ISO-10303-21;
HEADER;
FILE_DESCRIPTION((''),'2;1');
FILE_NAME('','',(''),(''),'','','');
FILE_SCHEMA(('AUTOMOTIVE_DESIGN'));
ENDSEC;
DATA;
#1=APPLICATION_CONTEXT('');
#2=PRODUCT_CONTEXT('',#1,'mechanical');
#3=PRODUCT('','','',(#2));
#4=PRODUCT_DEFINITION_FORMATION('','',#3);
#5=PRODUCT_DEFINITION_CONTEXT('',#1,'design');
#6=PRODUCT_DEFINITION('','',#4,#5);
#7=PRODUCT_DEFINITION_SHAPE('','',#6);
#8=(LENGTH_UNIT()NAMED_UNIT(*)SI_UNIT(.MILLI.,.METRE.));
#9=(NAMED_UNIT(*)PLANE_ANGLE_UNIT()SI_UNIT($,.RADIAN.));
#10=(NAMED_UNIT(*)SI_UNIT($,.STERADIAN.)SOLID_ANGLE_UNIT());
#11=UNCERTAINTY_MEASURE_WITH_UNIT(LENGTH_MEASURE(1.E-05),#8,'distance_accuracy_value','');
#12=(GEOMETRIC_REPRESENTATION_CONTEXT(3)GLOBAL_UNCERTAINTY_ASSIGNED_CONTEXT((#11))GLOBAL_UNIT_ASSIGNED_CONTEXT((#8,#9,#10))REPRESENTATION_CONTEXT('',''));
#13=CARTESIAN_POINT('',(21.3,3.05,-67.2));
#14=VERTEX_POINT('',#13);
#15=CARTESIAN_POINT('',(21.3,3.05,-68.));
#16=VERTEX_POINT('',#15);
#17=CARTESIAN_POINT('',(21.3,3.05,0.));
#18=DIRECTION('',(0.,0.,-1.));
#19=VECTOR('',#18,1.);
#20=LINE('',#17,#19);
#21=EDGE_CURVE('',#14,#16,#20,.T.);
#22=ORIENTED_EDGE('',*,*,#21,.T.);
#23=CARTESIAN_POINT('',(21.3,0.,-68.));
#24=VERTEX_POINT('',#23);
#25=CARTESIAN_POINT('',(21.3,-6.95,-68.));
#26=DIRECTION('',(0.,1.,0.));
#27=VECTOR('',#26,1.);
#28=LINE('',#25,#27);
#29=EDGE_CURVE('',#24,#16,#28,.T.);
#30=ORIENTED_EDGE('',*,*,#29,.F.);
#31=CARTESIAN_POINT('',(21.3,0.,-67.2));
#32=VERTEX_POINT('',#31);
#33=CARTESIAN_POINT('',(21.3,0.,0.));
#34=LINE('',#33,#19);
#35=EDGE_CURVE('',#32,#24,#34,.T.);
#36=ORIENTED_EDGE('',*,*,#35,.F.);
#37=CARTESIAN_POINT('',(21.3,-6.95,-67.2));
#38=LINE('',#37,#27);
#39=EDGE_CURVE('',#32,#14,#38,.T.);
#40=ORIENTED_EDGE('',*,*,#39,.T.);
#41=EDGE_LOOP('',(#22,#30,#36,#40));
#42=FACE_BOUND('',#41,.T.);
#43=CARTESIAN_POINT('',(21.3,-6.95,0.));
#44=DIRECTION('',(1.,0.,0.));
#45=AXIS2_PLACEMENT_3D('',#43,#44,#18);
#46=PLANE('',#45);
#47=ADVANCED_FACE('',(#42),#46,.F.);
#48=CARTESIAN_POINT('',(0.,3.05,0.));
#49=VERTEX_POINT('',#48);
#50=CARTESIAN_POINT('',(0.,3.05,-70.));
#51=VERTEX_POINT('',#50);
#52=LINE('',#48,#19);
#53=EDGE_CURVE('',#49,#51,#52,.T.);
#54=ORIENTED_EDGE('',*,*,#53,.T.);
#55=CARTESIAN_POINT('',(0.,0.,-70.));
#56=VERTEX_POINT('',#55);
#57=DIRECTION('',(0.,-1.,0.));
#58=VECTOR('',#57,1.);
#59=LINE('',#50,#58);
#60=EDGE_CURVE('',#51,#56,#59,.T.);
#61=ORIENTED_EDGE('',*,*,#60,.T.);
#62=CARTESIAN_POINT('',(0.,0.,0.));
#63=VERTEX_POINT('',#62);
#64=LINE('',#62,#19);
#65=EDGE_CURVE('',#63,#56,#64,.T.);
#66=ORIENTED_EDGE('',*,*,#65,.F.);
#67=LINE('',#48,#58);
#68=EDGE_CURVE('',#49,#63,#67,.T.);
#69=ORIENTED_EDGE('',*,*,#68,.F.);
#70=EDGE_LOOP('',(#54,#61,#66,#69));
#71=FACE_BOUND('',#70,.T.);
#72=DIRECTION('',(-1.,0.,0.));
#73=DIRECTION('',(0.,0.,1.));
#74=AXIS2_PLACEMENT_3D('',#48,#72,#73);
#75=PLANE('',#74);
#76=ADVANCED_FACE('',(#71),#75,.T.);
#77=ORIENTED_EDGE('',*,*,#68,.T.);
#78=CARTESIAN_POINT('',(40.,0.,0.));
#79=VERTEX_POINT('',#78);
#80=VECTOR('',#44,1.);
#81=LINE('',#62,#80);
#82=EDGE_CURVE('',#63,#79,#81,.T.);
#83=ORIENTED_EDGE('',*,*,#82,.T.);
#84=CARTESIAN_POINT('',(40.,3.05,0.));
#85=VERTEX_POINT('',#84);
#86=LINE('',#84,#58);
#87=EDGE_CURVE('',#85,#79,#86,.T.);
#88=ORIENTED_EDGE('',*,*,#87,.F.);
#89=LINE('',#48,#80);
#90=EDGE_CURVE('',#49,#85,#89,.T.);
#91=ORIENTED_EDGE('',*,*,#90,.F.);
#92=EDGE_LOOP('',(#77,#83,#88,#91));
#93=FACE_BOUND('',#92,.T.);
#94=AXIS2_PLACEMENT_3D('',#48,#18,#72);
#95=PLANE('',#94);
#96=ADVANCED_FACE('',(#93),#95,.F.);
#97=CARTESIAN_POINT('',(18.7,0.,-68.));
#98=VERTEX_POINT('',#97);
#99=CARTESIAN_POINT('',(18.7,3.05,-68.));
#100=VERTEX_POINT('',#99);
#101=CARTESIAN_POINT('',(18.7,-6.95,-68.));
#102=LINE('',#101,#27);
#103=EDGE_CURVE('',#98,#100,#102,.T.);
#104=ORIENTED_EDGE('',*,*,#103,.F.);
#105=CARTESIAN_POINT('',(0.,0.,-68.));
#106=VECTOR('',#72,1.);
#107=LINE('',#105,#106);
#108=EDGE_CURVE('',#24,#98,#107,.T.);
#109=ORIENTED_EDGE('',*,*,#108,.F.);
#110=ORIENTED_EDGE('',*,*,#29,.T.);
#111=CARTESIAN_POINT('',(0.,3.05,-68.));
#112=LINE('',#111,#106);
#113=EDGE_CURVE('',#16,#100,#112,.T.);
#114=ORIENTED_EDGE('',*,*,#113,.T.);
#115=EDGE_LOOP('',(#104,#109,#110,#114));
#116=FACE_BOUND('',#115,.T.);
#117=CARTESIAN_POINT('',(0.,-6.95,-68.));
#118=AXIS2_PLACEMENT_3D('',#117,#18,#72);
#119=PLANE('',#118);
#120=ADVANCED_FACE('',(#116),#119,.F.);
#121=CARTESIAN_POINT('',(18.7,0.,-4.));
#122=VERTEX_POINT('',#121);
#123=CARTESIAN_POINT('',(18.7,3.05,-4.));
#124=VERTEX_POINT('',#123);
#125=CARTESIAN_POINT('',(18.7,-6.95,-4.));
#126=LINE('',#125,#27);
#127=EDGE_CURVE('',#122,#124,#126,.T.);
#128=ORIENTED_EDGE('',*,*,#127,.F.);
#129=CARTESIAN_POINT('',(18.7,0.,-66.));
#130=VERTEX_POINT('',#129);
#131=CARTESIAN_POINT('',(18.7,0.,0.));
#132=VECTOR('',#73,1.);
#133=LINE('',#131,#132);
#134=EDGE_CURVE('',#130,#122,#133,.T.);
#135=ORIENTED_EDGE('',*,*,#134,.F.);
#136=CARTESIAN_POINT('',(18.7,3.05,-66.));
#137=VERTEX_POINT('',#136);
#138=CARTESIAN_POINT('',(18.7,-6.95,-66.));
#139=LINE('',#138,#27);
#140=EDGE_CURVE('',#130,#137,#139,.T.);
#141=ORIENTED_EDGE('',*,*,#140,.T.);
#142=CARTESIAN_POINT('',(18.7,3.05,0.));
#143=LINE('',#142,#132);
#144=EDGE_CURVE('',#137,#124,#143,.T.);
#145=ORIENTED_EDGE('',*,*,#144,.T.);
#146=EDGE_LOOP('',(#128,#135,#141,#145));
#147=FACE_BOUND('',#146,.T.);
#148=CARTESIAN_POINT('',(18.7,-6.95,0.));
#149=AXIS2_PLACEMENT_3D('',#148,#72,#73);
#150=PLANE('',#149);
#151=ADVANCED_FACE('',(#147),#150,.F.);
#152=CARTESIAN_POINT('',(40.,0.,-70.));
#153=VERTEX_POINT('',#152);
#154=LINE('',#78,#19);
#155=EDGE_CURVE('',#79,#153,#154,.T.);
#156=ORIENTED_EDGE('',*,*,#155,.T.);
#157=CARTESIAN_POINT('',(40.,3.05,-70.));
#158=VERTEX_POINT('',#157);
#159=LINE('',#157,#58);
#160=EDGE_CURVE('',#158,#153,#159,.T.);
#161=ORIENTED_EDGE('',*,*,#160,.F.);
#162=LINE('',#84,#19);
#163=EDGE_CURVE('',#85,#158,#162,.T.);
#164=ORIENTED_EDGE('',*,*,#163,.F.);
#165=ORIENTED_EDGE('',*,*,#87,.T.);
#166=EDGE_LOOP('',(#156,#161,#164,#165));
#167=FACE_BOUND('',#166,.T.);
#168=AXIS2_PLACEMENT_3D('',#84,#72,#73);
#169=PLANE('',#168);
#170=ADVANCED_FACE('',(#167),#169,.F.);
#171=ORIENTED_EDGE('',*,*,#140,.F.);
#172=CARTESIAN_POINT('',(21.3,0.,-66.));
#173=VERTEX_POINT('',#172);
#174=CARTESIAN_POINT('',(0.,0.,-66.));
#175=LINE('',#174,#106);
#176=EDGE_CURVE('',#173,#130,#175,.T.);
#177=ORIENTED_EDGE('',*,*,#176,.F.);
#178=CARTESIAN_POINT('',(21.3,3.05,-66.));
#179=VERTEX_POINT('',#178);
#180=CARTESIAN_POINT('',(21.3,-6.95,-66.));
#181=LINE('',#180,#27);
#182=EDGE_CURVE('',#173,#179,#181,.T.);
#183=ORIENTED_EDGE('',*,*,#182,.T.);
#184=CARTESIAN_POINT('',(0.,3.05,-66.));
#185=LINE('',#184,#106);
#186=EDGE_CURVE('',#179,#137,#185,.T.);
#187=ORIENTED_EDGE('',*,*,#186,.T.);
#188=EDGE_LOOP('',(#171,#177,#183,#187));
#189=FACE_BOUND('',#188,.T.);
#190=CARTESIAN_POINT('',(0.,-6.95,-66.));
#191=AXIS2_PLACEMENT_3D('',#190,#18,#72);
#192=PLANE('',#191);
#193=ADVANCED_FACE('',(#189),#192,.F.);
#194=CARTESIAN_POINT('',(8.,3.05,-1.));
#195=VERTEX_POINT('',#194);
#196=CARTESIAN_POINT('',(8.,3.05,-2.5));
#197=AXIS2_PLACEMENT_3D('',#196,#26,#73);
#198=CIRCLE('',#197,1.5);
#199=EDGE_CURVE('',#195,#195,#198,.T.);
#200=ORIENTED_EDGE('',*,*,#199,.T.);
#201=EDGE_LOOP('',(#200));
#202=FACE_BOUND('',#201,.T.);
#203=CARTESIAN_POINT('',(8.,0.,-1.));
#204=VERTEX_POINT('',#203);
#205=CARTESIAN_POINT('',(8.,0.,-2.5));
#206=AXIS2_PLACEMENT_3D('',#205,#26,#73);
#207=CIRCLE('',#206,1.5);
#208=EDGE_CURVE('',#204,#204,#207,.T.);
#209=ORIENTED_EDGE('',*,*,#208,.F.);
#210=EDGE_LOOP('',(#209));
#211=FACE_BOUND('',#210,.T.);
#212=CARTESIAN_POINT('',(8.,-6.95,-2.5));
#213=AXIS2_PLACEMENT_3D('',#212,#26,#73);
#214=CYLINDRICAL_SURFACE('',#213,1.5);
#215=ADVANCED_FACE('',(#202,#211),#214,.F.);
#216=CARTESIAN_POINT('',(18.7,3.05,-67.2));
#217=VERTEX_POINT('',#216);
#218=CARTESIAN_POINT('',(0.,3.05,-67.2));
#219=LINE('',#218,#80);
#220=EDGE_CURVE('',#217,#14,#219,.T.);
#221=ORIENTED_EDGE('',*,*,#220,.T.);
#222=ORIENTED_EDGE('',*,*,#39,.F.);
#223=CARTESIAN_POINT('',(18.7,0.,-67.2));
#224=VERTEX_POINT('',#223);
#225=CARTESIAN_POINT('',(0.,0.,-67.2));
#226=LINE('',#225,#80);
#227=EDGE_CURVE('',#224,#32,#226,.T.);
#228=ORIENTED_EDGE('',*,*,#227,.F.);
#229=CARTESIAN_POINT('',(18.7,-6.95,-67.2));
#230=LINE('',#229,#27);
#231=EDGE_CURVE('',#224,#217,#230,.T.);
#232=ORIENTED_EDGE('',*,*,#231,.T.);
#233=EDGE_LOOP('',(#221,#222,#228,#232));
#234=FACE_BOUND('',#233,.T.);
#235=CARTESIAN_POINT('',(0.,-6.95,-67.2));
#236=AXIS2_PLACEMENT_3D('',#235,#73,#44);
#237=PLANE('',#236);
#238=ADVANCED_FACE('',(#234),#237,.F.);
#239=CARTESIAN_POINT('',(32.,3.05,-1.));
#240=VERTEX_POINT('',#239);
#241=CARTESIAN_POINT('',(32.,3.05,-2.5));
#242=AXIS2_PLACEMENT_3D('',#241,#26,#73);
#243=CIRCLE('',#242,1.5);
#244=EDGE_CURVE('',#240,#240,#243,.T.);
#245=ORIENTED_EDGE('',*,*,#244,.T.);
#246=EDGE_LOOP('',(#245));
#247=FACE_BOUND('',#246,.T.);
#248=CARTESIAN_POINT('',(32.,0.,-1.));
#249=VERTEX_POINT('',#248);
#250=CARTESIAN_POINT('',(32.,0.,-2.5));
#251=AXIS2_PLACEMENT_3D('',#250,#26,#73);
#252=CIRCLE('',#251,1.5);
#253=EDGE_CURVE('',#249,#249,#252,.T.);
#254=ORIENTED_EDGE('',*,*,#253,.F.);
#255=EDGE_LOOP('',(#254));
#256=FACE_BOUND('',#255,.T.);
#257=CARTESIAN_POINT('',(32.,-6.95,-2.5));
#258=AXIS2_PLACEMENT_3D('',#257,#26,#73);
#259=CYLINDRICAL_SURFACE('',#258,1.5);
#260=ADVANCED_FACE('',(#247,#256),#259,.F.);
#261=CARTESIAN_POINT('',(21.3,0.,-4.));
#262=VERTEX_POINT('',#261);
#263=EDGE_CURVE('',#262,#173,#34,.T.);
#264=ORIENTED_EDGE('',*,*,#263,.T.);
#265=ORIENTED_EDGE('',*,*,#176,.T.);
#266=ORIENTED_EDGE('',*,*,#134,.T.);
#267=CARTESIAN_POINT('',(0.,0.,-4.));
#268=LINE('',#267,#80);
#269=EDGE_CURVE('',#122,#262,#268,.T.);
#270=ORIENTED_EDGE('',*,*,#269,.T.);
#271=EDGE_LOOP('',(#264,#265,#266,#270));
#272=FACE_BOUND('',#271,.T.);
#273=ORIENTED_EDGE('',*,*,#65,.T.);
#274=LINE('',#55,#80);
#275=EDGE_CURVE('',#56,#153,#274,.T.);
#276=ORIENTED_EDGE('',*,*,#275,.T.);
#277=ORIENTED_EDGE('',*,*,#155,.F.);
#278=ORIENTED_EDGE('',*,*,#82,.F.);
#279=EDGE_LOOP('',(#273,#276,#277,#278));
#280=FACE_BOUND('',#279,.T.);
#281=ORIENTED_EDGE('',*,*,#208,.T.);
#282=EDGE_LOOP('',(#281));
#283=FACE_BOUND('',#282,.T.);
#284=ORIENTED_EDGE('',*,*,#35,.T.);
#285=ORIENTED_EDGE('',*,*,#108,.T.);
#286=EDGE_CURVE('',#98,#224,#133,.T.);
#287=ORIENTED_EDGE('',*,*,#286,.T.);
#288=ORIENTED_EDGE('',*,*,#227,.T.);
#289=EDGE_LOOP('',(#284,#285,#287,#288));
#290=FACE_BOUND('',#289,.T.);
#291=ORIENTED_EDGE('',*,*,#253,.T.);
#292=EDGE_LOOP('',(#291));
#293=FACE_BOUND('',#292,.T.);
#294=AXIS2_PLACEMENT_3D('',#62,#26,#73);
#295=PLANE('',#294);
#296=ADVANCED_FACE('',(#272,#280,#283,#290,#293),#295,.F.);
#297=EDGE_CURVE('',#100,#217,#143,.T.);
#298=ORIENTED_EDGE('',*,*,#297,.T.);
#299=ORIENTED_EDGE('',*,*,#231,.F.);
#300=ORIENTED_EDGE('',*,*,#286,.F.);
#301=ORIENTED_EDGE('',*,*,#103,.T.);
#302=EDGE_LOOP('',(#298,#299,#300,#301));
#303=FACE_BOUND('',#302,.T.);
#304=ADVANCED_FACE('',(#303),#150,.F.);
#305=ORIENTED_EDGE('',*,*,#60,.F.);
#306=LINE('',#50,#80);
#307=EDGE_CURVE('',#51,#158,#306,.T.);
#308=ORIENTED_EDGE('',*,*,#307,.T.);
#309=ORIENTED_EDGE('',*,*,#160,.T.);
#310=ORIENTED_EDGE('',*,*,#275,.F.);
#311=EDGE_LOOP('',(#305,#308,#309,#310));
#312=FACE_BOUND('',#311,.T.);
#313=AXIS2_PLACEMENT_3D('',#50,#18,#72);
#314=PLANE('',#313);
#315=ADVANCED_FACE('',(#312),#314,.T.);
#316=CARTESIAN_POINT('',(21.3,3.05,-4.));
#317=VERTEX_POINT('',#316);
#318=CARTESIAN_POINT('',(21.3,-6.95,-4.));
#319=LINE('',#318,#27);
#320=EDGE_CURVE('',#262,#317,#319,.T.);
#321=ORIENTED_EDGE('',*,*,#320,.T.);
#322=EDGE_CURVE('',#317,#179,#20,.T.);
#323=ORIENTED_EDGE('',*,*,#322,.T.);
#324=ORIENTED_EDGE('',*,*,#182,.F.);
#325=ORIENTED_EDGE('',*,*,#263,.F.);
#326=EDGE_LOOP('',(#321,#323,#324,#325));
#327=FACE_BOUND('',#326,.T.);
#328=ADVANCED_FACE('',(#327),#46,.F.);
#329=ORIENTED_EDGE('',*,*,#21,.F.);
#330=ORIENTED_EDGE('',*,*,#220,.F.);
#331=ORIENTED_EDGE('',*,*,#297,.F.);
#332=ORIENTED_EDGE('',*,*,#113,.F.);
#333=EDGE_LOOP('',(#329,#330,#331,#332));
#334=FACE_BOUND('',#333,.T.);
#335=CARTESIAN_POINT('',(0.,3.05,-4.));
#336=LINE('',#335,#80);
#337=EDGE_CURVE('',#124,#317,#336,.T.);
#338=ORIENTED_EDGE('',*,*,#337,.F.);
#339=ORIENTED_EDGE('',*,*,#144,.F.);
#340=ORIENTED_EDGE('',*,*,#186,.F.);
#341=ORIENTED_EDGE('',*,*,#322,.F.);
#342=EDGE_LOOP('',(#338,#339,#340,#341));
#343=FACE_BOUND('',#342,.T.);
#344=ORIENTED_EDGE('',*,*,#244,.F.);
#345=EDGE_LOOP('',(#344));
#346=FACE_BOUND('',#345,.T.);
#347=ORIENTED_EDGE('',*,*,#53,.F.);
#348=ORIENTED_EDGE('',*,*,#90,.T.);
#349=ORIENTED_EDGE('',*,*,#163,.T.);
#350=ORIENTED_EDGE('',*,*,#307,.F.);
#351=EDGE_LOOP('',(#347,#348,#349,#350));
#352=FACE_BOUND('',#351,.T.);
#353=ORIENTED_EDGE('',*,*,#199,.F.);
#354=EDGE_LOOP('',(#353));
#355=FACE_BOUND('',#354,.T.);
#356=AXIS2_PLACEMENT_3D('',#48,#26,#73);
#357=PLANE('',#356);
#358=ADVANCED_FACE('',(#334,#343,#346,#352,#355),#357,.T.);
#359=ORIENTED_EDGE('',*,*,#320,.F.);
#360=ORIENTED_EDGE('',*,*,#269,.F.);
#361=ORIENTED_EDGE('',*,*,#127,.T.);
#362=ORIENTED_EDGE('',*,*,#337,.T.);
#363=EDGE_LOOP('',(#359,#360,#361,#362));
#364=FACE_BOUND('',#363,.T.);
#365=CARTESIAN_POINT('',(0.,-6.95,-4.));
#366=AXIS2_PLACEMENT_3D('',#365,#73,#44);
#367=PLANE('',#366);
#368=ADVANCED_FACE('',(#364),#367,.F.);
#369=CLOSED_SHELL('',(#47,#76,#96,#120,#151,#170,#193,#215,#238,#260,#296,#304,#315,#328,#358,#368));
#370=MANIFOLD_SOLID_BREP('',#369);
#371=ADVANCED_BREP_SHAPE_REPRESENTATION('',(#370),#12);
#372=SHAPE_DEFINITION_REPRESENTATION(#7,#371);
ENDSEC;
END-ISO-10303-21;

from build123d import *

# Parameters (mm, degrees)
SKETCH1_W           = 40
SKETCH1_H           = 70
BOSS_EXTRUDE1_DEPTH = 3.05
SKETCH4_W           = 2.6
SKETCH4_H           = 62
SKETCH4_H_2         = 0.8
CUT_EXTRUDE1_DEPTH  = 10
SKETCH7_R           = 1.5
CUT_EXTRUDE4_DEPTH  = 10


with BuildPart() as part:
    # Sketch1 → Boss-Extrude1 (new body)
    with BuildSketch(Plane(origin=(0, 0, 0), x_dir=(1, 0, 0), z_dir=(0, 1, 0))):
        with Locations((20, 35)):
            Rectangle(SKETCH1_W, SKETCH1_H)
    extrude(amount=BOSS_EXTRUDE1_DEPTH)

    # Sketch4 → Cut-Extrude1 (cut)
    with BuildSketch(Plane(origin=(0, 3.05, 0), x_dir=(1, 0, 0), z_dir=(0, 1, 0))):
        with Locations((20, 35)):
            Rectangle(SKETCH4_W, SKETCH4_H)
        with Locations((20, 67.6)):
            Rectangle(SKETCH4_W, SKETCH4_H_2)
    extrude(amount=-CUT_EXTRUDE1_DEPTH, mode=Mode.SUBTRACT)

    # Sketch7 → Cut-Extrude4 (cut)
    with BuildSketch(Plane(origin=(0, 3.05, 0), x_dir=(1, 0, 0), z_dir=(0, 1, 0))):
        with Locations(Location((8, 2.5, 0), (0, 0, 270))):
            Circle(SKETCH7_R)
        with Locations(Location((32, 2.5, 0), (0, 0, 270))):
            Circle(SKETCH7_R)
    extrude(amount=-CUT_EXTRUDE4_DEPTH, mode=Mode.SUBTRACT)


solid = part.part
